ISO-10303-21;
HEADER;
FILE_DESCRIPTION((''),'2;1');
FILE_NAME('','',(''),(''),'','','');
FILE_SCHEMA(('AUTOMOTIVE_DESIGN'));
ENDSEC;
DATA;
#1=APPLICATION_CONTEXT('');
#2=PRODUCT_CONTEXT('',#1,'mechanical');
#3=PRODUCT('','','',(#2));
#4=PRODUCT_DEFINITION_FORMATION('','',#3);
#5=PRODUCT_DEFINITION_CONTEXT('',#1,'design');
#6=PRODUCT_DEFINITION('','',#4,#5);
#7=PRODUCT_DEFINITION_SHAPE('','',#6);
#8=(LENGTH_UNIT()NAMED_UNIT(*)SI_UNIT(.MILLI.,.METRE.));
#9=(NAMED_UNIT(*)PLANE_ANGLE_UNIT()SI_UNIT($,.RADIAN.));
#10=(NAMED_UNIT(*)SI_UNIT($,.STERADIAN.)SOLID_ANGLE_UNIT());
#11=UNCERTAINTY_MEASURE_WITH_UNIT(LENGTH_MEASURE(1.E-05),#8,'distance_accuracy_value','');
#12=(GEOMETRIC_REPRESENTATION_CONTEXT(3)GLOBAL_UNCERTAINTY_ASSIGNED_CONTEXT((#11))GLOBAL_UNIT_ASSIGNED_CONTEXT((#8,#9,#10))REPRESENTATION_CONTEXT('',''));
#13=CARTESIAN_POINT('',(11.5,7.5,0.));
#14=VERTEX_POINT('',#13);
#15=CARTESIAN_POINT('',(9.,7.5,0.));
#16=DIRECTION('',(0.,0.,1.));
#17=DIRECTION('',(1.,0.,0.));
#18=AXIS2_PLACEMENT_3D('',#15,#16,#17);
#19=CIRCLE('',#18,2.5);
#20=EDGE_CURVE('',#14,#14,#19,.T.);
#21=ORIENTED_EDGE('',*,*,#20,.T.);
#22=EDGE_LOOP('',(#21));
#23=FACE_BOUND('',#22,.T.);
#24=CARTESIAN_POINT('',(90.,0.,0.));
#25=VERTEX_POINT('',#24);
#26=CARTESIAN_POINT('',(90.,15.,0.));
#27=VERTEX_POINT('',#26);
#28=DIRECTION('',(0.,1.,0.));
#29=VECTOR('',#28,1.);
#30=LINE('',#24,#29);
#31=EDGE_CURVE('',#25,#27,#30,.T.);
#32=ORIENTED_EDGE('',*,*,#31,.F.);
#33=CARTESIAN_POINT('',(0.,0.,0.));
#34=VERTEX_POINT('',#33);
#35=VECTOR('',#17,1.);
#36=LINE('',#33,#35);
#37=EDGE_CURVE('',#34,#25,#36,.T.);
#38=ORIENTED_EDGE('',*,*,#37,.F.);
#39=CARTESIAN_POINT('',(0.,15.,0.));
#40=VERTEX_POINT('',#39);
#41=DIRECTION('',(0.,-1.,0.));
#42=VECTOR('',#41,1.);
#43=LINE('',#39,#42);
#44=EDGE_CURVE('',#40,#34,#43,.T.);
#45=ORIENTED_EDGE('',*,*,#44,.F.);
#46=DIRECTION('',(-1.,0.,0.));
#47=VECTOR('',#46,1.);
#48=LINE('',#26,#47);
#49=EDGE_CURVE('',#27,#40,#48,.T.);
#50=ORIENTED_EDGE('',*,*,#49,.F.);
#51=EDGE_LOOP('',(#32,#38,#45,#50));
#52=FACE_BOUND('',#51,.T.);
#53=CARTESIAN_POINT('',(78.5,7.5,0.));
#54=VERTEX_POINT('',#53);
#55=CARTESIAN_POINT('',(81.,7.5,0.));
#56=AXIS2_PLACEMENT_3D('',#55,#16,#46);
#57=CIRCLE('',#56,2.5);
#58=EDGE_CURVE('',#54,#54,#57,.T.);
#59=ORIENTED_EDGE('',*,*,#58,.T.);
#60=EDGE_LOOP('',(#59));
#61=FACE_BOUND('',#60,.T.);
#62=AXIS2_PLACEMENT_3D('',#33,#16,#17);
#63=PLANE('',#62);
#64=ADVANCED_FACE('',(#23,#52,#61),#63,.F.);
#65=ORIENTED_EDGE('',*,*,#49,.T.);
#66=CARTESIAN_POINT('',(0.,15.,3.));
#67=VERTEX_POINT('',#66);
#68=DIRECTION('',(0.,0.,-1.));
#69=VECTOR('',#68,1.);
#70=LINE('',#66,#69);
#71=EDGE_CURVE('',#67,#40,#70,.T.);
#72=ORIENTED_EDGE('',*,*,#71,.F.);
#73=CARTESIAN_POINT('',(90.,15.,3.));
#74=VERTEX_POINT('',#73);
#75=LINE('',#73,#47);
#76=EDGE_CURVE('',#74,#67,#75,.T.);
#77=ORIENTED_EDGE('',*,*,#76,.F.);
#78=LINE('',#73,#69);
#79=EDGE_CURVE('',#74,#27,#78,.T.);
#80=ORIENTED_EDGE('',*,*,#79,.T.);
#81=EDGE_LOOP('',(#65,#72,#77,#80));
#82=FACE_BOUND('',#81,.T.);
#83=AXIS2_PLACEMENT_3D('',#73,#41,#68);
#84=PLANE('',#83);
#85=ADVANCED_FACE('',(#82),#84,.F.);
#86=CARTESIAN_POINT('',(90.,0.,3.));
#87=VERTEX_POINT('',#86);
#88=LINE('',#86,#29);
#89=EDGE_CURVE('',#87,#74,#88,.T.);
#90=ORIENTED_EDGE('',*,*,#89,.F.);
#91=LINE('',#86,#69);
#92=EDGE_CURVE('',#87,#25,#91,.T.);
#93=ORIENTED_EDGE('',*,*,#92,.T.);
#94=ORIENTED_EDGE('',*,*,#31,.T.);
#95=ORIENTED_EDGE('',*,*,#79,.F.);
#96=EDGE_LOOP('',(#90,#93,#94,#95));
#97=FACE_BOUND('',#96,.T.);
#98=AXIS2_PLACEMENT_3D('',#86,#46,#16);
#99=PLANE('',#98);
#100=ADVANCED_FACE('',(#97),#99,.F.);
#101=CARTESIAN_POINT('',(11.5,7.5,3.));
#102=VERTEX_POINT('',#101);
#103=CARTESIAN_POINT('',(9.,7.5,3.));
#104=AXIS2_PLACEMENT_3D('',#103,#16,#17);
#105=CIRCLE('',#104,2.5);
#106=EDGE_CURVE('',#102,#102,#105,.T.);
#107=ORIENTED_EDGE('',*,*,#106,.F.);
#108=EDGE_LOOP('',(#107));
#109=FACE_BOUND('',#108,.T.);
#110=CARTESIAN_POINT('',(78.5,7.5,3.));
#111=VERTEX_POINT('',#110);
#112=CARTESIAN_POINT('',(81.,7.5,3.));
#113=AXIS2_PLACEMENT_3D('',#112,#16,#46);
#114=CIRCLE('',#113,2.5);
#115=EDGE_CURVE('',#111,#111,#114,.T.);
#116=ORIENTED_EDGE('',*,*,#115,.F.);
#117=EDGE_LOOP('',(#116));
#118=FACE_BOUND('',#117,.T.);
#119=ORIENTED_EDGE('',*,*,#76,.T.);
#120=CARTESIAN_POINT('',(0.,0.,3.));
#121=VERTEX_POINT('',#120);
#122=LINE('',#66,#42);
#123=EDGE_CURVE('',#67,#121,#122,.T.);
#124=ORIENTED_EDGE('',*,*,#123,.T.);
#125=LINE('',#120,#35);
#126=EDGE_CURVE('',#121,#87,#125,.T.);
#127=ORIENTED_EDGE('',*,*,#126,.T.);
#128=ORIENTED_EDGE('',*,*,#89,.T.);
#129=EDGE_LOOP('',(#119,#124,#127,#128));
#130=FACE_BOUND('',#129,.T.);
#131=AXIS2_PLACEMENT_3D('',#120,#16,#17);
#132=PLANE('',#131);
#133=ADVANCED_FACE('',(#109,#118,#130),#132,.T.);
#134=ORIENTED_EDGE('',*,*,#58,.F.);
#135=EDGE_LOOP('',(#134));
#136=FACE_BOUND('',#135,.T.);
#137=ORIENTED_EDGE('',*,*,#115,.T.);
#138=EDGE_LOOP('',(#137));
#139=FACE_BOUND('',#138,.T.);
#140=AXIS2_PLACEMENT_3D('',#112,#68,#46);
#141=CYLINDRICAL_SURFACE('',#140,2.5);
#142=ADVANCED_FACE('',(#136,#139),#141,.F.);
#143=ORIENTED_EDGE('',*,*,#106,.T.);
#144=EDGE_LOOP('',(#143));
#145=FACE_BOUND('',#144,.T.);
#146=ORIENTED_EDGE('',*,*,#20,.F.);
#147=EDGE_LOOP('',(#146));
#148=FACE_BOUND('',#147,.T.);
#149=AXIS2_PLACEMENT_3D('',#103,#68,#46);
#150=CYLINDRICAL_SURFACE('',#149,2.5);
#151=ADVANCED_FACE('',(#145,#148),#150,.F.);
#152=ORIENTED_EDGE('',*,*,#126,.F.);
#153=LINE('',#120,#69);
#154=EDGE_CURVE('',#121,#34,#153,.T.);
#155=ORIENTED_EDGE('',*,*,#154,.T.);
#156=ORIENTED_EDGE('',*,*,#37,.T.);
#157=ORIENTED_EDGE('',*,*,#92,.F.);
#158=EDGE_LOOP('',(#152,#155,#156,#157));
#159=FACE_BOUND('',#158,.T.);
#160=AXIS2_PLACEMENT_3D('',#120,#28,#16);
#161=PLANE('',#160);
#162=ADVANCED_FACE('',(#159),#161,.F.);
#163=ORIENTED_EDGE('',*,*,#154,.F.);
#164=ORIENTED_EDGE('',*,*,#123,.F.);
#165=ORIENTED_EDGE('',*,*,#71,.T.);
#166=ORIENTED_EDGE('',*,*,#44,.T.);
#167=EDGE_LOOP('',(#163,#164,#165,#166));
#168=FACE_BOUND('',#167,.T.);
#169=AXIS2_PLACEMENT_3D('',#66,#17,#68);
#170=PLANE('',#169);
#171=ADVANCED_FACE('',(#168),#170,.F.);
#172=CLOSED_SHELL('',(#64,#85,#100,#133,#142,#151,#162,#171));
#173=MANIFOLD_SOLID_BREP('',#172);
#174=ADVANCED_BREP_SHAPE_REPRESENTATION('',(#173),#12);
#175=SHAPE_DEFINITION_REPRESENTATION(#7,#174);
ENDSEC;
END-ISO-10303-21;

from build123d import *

# Parameters (mm, degrees)
SKETCH1_W           = 90
SKETCH1_H           = 15
SKETCH1_R           = 2.5
BOSS_EXTRUDE1_DEPTH = 3


with BuildPart() as part:
    # Sketch1 → Boss-Extrude1 (new body)
    with BuildSketch(Plane.XY):
        with Locations((45, 7.5)):
            Rectangle(SKETCH1_W, SKETCH1_H)
        with Locations((9, 7.5)):
            Circle(SKETCH1_R, mode=Mode.SUBTRACT)
        with Locations((81, 7.5)):
            Circle(SKETCH1_R, mode=Mode.SUBTRACT)
    extrude(amount=BOSS_EXTRUDE1_DEPTH)


solid = part.part
